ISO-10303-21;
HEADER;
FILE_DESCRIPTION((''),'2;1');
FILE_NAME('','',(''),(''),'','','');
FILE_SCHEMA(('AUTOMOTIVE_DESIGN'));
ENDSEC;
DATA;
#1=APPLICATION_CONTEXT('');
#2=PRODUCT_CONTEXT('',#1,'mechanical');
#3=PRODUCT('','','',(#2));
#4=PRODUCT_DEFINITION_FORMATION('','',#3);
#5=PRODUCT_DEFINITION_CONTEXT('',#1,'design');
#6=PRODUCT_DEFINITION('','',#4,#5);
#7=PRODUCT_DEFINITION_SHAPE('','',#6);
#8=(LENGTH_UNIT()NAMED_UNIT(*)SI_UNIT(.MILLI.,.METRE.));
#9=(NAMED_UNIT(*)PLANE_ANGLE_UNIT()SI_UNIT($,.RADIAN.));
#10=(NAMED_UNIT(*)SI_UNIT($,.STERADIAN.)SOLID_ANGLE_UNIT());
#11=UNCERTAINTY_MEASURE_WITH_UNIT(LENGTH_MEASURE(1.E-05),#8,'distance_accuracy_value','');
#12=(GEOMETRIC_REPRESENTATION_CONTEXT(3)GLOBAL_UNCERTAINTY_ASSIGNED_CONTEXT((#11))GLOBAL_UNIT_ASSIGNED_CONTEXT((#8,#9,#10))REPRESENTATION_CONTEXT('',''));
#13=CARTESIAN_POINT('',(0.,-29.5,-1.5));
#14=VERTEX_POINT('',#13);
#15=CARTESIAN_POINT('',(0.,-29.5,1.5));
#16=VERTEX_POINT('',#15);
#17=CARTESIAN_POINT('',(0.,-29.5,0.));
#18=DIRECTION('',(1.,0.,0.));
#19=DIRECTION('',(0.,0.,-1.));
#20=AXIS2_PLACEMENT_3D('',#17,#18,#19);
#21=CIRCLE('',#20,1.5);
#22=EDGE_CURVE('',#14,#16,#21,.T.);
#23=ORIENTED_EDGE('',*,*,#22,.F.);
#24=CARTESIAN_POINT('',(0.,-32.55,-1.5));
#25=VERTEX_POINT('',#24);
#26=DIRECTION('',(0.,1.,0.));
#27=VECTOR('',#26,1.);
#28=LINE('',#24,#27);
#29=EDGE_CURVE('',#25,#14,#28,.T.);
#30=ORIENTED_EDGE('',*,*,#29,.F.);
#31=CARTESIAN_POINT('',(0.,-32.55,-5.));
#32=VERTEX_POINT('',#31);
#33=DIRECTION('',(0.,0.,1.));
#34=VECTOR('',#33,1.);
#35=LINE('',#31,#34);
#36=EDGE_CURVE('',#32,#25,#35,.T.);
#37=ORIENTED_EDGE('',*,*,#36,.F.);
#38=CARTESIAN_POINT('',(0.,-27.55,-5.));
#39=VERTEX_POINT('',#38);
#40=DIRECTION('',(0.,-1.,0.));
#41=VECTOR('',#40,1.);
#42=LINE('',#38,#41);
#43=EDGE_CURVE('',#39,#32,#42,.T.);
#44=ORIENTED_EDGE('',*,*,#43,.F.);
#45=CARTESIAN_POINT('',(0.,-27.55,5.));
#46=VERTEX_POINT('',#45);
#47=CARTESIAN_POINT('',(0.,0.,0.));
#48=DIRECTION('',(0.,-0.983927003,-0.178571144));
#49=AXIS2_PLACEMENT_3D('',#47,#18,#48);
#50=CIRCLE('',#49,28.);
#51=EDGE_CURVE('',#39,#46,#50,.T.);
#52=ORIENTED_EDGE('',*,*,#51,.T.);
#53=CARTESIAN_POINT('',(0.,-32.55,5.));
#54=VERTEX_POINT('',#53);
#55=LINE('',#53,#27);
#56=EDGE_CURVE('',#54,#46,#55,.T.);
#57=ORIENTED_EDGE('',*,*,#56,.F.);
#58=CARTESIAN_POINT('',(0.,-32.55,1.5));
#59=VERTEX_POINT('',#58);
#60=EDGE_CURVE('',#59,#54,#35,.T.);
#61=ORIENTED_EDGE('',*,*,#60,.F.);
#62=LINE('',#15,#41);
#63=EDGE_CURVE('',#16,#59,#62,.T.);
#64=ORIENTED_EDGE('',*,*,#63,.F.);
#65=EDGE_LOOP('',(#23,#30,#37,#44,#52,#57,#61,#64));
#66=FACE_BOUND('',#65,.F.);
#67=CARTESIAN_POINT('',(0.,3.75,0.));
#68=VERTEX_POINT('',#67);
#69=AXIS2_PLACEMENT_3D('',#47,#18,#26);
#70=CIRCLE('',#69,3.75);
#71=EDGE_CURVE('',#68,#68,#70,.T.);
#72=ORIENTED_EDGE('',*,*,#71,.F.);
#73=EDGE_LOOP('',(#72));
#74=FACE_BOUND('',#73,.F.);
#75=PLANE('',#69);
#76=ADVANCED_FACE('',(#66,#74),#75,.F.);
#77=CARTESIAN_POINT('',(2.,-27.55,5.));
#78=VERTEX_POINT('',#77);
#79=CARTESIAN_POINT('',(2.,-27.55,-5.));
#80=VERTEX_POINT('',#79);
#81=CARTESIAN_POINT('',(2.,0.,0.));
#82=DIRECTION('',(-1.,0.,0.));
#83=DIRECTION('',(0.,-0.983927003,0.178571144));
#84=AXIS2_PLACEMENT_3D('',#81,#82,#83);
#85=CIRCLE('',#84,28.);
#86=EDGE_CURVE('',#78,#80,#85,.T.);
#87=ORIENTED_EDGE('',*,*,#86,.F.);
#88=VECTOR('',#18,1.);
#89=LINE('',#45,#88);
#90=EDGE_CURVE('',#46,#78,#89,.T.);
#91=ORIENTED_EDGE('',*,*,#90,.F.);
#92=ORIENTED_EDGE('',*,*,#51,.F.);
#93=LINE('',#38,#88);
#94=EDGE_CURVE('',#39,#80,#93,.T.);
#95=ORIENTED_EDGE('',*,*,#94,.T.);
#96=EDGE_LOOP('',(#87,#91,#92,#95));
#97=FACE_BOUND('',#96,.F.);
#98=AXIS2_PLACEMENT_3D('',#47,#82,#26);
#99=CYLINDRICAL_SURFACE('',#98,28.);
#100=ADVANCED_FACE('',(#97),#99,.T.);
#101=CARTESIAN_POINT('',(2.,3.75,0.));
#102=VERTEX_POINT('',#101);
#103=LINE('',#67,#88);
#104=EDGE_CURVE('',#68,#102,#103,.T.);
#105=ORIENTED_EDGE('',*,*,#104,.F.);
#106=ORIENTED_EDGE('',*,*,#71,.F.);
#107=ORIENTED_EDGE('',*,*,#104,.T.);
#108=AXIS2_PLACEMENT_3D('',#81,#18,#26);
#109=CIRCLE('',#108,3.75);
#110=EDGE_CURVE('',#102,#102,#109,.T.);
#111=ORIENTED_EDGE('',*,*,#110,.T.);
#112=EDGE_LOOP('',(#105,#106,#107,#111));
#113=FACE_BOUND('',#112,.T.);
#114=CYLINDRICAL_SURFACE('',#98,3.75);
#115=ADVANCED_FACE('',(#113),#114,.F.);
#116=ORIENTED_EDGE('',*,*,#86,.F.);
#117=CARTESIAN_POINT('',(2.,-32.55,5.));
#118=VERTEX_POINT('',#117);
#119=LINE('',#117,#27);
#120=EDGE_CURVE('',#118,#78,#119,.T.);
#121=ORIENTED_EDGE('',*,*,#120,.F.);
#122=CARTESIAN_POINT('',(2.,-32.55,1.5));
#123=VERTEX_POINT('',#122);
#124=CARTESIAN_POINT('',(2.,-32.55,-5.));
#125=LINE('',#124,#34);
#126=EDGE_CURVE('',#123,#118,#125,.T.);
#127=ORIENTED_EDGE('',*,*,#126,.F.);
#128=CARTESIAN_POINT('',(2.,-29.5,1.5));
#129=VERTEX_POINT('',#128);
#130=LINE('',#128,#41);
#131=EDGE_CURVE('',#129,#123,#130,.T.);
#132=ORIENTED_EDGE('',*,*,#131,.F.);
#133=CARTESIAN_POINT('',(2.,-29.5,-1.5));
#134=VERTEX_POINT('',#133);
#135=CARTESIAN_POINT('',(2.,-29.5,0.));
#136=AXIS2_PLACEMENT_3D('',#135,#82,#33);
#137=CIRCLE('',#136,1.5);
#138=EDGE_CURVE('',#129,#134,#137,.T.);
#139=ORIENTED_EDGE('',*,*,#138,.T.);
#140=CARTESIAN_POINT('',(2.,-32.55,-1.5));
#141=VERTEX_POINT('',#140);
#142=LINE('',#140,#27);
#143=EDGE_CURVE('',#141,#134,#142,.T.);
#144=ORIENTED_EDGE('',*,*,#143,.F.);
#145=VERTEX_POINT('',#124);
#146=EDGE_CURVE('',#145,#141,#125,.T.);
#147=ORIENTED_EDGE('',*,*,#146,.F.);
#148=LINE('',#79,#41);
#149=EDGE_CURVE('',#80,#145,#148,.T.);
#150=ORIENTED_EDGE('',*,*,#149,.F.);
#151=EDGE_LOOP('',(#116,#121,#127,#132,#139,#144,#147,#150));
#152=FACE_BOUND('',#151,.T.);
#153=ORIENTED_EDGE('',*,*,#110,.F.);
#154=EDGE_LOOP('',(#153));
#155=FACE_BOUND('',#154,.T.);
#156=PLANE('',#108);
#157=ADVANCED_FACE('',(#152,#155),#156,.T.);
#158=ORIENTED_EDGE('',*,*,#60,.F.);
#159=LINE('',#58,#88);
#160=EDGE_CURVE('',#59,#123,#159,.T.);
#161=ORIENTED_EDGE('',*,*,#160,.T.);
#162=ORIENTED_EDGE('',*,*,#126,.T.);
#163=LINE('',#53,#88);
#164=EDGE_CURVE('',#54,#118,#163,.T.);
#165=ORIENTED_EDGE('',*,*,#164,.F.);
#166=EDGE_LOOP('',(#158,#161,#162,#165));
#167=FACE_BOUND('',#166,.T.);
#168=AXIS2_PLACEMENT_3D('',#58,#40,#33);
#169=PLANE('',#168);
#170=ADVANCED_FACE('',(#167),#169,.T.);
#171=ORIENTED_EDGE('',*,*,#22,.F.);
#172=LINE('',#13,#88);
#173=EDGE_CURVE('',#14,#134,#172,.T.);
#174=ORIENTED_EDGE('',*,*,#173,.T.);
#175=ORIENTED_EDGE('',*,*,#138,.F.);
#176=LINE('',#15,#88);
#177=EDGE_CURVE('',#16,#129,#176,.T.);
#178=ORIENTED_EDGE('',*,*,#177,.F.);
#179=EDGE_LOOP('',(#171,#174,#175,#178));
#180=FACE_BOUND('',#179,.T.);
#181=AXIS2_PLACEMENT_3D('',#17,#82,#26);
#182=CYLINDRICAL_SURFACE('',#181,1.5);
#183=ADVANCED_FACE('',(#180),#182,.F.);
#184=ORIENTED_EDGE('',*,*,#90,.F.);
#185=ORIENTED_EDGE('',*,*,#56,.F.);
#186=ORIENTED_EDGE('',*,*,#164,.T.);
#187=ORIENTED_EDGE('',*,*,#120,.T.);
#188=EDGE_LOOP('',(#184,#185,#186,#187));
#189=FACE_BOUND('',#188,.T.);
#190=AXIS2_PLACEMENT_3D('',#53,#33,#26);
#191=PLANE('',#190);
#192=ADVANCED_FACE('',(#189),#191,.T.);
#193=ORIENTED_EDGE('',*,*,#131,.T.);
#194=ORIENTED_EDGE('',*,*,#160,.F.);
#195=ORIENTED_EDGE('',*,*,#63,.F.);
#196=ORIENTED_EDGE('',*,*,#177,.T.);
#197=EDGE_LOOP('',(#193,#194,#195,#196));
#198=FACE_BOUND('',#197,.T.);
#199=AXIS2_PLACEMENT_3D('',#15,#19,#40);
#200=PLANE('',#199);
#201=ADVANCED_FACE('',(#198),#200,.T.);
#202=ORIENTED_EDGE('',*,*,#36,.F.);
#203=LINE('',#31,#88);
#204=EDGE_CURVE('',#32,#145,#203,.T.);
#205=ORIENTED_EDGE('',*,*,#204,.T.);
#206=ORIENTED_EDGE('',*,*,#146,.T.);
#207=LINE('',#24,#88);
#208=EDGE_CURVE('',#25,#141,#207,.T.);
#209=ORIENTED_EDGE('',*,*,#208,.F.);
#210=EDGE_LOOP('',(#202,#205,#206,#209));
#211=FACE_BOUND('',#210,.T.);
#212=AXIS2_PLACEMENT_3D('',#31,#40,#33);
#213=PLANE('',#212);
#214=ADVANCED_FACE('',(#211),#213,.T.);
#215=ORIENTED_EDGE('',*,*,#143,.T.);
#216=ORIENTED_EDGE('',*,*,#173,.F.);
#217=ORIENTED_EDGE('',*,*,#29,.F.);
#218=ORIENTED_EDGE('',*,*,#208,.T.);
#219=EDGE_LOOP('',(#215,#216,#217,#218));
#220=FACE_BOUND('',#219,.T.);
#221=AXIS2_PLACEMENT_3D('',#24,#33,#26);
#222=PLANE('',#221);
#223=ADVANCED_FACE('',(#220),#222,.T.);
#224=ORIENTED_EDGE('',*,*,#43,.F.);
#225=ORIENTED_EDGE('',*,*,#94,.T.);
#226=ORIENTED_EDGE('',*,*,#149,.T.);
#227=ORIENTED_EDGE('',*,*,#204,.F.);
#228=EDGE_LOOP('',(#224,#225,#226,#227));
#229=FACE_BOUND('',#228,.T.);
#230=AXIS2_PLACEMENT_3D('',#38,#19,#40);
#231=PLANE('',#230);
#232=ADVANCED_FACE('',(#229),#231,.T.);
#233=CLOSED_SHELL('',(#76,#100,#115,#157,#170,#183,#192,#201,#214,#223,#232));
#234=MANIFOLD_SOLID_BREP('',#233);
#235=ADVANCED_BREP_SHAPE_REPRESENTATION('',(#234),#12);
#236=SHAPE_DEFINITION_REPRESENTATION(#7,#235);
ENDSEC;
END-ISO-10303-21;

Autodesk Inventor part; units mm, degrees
ref_plane "YZ Plane" through (0, 0, 0) normal (1, 0, 0) x (0, 1, 0)
ref_plane "XZ Plane" through (0, 0, 0) normal (0, 1, 0) x (-1, 0, 0)
ref_plane "XY Plane" through (0, 0, 0) normal (0, 0, 1) x (1, 0, 0)
sketch "スケッチ1" plane through (0, 0, 0) normal (1, 0, 0) x (0, 1, 0)
  circle A0 centre (0, 0) radius 28
  circle A1 centre (0, 0) radius 3.75
  line L0 (-32.55, 5) -> (-27.55, 5)
  line L1 (-27.55, 5) -> (-27.55, -5)
  line L2 (-27.55, -5) -> (-32.55, -5)
  line L3 (-32.55, -5) -> (-32.55, 5)
  line L4 (-32.55, 5) -> (-27.55, -5) construction
  line L5 (-27.55, 5) -> (-32.55, -5) construction
  circle A2 centre (-29.5, 0) radius 1.5
  line L6 (-29.5, 1.5) -> (-32.55, 1.5)
  line L7 (-32.55, 1.5) -> (-32.55, -1.5)
  line L8 (-32.55, -1.5) -> (-29.5, -1.5)
  line L9 (-29.5, -1.5) -> (-29.5, 1.5)
  dimension "d1" = 56
  dimension "d10" = 3
  dimension "d12" = 0
  dimension "d0" = 7.5
  dimension "d2" = 10
  dimension "d3" = 5
  dimension "d11" = 0
extrude "押し出し2" add sketch "スケッチ1" along normal blind 2 contours A0 L1 | L1 A0 | A0 A2 L6 L3 L0 | L2 L3 L8 A2 A0
properties part number "toppart"
